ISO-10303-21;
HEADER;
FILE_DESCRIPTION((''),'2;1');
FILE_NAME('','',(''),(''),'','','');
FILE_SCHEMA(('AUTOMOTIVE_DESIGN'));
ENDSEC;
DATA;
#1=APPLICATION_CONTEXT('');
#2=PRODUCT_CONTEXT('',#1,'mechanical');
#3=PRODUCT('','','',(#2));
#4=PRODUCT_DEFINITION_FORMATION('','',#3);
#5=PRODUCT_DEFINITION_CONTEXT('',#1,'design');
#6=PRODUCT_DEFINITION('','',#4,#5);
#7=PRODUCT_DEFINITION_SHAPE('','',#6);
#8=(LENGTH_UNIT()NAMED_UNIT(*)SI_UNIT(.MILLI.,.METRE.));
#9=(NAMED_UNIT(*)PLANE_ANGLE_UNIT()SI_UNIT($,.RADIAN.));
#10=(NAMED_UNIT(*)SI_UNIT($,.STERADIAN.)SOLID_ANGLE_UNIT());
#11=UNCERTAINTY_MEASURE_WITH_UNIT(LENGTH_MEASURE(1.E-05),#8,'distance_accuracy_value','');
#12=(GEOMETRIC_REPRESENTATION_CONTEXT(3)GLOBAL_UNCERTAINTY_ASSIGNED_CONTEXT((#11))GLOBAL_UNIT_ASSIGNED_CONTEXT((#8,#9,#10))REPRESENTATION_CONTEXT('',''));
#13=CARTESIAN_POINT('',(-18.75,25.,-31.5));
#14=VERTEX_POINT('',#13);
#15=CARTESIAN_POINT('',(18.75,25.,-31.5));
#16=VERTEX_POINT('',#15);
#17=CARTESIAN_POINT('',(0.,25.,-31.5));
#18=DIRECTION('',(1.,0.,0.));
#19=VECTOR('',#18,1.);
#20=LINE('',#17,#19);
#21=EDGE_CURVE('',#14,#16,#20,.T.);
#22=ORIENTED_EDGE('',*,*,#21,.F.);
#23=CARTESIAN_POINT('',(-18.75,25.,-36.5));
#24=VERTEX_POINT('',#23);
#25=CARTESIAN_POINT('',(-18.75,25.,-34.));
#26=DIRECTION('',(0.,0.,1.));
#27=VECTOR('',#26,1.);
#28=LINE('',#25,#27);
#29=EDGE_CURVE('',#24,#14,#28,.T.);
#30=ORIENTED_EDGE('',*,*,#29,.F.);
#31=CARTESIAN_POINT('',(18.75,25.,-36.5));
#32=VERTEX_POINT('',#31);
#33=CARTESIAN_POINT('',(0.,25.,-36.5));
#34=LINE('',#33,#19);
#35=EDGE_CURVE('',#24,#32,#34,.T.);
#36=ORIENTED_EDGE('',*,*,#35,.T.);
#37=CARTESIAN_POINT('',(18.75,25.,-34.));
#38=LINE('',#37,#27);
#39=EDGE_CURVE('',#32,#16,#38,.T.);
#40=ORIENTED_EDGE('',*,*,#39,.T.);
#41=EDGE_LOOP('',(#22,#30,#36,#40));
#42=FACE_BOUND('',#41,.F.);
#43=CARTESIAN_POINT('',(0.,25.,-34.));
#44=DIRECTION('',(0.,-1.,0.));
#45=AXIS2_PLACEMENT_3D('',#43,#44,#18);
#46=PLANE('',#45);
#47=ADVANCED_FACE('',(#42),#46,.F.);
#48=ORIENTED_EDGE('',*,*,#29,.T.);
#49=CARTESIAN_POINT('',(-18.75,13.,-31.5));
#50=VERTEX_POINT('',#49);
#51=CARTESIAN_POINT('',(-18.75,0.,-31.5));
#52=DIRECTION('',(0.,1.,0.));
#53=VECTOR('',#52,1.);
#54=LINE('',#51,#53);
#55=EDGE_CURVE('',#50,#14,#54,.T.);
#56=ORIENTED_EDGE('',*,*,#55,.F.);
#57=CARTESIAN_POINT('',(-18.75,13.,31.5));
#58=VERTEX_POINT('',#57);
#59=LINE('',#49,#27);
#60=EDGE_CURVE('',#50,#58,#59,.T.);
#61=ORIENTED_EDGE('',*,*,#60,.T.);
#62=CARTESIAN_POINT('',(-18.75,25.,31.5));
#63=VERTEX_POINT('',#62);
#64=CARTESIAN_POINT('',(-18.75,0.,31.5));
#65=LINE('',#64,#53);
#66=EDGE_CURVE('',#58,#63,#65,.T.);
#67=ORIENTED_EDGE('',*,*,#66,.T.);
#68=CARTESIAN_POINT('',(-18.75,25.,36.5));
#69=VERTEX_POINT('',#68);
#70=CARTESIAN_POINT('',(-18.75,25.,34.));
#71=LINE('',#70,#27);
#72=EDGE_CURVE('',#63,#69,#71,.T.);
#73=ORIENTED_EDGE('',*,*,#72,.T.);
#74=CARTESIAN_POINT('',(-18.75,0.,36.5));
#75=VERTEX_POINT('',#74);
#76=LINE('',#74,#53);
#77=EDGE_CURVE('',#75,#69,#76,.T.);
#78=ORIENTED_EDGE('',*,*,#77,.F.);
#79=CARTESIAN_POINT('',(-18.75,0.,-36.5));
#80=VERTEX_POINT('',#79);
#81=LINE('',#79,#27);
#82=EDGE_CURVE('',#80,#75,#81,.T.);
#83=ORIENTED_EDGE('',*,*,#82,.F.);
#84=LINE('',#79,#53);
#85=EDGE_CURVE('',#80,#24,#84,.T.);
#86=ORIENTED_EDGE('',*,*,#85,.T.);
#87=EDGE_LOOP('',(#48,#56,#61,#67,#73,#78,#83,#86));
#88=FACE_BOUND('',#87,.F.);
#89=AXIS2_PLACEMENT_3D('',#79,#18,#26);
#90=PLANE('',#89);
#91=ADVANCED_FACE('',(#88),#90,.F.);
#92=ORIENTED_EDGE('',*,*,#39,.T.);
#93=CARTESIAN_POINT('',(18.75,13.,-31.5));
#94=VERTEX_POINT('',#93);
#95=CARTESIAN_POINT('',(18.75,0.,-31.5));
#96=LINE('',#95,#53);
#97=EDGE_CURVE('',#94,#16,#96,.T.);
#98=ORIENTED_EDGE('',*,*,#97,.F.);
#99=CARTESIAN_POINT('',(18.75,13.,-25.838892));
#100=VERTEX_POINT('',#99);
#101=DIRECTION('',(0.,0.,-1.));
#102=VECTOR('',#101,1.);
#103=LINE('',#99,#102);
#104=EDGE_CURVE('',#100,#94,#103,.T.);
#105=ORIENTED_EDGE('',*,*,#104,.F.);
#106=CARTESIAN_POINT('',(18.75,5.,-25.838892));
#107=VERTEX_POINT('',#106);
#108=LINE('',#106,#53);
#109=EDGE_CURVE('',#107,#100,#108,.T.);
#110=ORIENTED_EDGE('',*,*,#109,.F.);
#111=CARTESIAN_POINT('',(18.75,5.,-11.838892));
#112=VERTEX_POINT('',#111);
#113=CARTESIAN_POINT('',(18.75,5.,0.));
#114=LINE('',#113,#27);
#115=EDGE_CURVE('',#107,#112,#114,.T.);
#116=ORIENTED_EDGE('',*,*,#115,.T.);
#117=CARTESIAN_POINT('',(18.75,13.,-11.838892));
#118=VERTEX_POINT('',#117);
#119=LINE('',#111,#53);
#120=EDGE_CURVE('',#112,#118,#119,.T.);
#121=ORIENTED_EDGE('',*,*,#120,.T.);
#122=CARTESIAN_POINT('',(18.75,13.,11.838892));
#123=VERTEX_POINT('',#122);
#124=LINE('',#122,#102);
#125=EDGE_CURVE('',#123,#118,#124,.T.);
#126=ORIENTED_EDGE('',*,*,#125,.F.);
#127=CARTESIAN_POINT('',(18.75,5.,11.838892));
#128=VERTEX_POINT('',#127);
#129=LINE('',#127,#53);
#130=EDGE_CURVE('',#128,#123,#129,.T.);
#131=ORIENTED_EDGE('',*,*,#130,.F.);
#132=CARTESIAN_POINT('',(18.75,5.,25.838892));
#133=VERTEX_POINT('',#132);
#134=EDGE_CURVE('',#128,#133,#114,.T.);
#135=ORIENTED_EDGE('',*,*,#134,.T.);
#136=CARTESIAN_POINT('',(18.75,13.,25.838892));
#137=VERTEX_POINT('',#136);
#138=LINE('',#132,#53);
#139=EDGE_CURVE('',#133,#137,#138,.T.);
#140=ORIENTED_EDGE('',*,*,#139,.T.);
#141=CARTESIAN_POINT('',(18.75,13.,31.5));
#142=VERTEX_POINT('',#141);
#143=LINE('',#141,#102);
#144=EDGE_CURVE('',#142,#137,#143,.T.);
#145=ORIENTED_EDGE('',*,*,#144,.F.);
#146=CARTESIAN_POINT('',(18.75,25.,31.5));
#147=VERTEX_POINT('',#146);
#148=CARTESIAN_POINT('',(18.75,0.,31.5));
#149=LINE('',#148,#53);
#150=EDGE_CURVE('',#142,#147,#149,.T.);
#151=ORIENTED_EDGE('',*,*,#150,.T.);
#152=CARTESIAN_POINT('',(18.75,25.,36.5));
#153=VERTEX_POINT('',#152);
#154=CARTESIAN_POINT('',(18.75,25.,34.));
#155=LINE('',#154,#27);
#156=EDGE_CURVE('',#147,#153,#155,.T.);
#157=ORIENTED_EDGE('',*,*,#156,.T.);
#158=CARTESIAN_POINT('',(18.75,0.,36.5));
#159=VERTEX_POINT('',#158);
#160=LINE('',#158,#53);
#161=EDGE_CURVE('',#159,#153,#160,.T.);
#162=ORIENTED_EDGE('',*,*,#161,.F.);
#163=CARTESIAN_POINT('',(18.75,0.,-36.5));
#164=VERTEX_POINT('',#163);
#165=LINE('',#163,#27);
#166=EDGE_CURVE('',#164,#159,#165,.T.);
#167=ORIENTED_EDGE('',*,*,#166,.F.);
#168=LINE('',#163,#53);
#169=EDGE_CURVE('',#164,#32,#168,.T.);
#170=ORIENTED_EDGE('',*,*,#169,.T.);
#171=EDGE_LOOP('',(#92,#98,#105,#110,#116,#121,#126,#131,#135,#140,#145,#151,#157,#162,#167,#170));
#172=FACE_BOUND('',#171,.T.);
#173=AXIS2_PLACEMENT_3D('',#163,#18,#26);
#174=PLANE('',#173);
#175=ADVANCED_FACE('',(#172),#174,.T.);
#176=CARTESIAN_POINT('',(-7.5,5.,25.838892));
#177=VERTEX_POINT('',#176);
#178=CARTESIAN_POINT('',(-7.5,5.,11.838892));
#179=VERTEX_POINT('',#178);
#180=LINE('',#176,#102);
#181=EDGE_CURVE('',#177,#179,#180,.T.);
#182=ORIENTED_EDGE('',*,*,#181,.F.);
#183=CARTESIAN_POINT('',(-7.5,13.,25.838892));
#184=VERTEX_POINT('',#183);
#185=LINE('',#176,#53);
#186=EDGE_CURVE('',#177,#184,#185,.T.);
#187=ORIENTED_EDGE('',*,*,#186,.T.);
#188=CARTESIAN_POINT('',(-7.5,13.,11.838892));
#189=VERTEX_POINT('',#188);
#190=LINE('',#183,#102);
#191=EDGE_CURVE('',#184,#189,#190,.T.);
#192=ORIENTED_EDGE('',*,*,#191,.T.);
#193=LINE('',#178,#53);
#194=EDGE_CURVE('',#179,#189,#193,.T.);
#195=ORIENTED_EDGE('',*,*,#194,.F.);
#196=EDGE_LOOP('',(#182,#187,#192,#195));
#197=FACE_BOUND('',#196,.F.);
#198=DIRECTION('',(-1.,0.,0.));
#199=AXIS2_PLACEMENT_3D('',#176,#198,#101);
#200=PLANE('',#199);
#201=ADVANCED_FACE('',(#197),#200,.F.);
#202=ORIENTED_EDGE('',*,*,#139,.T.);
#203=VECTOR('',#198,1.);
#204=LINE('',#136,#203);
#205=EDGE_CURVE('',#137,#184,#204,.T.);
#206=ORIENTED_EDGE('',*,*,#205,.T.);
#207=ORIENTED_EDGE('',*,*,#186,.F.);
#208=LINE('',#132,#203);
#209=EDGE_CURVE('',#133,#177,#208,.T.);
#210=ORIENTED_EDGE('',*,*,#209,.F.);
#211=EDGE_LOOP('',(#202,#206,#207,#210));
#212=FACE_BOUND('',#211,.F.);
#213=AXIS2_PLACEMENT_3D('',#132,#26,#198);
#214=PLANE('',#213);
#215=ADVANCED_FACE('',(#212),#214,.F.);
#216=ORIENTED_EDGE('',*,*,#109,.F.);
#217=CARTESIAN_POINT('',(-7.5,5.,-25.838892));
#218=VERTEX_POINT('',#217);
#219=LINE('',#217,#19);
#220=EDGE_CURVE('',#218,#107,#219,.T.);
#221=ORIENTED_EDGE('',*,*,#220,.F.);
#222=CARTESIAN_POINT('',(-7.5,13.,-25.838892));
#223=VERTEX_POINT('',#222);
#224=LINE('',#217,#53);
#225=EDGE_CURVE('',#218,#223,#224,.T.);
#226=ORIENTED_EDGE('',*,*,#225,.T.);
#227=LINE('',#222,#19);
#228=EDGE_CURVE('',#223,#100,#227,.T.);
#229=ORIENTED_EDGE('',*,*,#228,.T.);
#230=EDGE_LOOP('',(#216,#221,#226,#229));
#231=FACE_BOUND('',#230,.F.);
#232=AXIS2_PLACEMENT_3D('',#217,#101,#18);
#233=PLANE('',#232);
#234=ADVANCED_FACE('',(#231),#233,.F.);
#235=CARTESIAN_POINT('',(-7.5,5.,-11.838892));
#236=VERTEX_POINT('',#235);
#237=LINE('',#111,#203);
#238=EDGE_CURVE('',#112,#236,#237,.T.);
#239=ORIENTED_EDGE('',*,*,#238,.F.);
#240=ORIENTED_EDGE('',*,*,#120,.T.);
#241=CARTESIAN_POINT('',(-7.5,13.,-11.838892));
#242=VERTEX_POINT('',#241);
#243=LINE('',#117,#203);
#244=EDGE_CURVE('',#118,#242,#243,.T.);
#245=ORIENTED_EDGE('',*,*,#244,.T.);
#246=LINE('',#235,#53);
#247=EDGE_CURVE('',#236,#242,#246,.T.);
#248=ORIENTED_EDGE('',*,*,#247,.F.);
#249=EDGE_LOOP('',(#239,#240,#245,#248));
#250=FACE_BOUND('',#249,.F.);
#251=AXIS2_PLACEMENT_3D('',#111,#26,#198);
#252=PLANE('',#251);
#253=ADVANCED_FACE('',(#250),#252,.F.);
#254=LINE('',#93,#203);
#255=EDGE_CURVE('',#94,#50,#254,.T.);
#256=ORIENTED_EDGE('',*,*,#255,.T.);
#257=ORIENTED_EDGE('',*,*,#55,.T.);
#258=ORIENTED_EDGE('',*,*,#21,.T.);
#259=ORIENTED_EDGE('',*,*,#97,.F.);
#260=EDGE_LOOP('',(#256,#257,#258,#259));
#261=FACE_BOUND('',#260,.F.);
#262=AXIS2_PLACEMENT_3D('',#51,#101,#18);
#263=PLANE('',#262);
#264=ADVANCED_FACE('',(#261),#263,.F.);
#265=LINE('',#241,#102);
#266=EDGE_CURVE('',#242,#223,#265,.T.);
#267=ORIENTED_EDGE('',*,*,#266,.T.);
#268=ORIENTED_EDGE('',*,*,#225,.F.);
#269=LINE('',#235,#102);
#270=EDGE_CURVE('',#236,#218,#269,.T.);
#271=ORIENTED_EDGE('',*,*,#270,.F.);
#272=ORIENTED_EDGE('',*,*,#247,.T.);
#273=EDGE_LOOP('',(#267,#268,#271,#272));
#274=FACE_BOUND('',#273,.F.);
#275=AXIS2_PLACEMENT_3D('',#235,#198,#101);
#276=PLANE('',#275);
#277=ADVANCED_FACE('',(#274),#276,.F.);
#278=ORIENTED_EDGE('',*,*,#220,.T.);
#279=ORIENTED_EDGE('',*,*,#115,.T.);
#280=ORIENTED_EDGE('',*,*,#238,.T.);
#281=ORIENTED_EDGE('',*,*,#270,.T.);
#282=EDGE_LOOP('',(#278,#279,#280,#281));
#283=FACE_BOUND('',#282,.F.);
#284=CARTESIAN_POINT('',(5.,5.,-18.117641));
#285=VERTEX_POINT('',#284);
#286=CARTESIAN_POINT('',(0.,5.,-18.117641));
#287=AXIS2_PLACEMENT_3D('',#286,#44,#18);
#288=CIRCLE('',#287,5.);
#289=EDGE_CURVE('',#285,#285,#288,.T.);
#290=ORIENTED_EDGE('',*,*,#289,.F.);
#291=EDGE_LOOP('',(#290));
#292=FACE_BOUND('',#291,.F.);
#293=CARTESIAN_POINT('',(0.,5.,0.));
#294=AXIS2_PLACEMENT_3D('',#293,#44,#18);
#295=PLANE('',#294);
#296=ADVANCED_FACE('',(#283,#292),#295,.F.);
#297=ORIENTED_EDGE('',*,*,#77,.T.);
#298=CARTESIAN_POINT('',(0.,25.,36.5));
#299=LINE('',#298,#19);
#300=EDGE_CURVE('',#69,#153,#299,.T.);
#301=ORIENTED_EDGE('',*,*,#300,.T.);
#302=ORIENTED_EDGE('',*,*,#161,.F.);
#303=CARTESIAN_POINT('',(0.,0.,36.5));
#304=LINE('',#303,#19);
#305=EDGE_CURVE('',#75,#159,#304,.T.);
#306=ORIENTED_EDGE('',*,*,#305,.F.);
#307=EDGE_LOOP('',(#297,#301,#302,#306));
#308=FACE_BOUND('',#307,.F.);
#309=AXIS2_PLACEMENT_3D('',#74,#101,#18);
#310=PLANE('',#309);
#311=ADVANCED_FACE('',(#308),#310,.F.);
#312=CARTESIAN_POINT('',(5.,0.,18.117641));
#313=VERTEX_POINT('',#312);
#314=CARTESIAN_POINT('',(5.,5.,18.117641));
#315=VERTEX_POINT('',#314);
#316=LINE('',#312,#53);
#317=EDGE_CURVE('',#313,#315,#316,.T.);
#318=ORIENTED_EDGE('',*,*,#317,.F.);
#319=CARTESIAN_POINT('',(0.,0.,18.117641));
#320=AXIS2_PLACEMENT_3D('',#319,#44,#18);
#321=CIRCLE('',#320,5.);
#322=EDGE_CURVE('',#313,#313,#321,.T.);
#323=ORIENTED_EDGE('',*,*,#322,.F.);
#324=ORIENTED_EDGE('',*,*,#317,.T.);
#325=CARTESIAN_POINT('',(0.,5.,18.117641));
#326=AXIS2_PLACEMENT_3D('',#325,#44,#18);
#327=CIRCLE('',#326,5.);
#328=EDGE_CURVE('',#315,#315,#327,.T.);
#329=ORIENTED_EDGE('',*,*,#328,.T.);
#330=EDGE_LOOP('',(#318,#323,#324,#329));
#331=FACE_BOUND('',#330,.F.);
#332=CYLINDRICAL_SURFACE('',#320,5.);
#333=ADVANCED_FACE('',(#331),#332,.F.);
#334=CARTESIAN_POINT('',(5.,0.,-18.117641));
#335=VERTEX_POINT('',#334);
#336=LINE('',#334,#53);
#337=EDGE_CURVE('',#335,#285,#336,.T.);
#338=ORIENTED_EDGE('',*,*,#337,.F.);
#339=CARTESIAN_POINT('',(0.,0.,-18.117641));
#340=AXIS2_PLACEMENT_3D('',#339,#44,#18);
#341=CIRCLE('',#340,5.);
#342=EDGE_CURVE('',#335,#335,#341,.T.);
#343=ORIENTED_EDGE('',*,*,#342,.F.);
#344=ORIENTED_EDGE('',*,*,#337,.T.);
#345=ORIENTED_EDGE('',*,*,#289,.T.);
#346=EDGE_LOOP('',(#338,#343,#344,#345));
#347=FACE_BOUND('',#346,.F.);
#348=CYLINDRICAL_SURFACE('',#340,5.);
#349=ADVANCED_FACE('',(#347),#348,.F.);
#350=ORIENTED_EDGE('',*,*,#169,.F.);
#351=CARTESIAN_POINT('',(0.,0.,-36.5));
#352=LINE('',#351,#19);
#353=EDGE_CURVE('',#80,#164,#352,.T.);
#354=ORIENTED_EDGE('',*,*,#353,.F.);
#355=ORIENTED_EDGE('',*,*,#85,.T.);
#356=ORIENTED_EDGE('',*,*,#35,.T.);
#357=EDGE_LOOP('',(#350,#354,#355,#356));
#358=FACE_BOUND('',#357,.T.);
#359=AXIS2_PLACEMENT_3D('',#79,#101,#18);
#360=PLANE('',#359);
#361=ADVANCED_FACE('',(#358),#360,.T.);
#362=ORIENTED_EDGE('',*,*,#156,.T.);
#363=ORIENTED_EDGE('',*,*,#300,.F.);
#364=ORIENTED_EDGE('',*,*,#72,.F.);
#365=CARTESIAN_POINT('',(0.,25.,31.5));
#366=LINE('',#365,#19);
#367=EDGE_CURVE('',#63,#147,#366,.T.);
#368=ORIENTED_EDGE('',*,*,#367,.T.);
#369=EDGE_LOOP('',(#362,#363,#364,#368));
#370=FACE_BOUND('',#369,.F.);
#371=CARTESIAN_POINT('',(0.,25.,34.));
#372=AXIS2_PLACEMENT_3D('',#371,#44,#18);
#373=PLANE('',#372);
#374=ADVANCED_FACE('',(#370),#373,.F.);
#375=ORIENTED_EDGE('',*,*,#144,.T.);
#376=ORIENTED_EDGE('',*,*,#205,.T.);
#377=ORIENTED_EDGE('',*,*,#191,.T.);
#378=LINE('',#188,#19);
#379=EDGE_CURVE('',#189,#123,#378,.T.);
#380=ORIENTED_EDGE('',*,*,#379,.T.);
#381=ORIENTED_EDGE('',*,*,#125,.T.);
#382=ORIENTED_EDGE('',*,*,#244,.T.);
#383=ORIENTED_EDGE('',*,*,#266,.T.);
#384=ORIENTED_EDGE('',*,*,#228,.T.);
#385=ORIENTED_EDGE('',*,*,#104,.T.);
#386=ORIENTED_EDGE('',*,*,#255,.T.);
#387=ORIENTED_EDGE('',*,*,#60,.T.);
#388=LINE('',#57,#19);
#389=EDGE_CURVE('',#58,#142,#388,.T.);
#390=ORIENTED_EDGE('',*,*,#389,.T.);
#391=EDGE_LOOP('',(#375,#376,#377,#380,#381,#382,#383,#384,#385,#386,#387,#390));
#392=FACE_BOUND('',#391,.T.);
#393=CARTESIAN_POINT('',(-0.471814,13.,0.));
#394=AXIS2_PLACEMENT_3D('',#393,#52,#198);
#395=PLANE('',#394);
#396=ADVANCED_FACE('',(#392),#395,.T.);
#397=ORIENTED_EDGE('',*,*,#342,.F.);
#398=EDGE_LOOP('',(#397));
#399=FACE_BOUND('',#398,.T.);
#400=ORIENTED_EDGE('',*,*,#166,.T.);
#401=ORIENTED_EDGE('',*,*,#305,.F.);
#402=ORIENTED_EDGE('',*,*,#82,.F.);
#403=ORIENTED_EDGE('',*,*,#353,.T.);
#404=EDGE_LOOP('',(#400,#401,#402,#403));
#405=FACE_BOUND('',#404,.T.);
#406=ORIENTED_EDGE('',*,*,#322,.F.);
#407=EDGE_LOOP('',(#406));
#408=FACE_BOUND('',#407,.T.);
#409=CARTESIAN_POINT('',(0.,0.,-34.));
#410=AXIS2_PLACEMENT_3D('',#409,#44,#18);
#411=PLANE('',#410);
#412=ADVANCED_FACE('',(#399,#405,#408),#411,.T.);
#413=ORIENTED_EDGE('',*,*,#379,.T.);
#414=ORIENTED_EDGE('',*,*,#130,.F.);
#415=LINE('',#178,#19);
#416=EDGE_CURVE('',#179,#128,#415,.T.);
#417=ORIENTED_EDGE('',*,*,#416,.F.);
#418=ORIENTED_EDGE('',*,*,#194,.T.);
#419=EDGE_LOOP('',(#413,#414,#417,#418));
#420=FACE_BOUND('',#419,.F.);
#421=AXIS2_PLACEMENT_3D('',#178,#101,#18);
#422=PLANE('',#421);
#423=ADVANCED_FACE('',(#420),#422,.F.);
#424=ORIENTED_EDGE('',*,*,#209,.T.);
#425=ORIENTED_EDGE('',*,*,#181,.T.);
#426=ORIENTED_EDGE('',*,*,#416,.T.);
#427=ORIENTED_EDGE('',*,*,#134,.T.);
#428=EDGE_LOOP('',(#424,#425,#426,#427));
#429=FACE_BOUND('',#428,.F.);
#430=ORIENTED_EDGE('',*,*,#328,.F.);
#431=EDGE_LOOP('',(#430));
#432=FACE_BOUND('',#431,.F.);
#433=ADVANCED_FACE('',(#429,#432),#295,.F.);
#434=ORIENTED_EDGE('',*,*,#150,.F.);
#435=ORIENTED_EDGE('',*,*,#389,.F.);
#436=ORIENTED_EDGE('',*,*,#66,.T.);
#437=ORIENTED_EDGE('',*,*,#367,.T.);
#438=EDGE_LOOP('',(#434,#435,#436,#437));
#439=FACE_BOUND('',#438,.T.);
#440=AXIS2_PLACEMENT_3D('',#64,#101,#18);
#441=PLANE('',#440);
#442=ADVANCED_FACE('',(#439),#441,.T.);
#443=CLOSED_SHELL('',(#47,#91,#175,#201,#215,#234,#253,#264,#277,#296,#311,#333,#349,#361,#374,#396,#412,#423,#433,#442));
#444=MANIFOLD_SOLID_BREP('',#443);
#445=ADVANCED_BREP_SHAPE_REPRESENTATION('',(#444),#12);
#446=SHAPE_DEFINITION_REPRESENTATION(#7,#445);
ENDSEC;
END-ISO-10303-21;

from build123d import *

# Parameters (mm, degrees)
F0_W      = 37.5
F0_H      = 63
F3_DEPTH  = 5
F5_DEPTH  = 8
F6_W      = 37.5
F6_H      = 5
F7_DEPTH  = 25
F8_W      = 37.5
F8_H      = 5
F9_DEPTH  = 25
F1_R      = 5
F10_DEPTH = 5


with BuildPart() as f3:
    # F0 (on Front) → F3 (new body)
    with BuildSketch(Plane.XZ):
        Rectangle(F0_W, F0_H)
    extrude(amount=-F3_DEPTH)

    # F4 (on face) → F5 (join)
    with BuildSketch(Plane(origin=(0, 5, 0), x_dir=(-1, 0, 0), z_dir=(0, 1, 0))):
        Polygon((7.5, 11.838892), (0, 11.838892), (-18.75, 11.838892), (-18.75, -11.838892), (0, -11.838892), (7.5, -11.838892), (7.5, -25.838892), (0, -25.838892), (-18.75, -25.838892), (-18.75, -31.5), (18.75, -31.5), (18.75, 31.5), (-18.75, 31.5), (-18.75, 25.838892), (0, 25.838892), (7.5, 25.838892), align=None)
    extrude(amount=F5_DEPTH)

    # F6 (on Front) → F7 (join)
    with BuildSketch(Plane.XZ):
        with Locations((0, 34)):
            Rectangle(F6_W, F6_H)
    extrude(amount=-F7_DEPTH)

    # F8 (on Front) → F9 (join)
    with BuildSketch(Plane.XZ):
        with Locations((0, -34)):
            Rectangle(F8_W, F8_H)
    extrude(amount=-F9_DEPTH)

    # F1 (on face) → F10 (cut)
    with BuildSketch(Plane.XZ):
        with Locations((0, 18.117641)):
            Circle(F1_R)
        with Locations((0, -18.117641)):
            Circle(F1_R)
    extrude(amount=-F10_DEPTH, mode=Mode.SUBTRACT)


solid = f3.part
